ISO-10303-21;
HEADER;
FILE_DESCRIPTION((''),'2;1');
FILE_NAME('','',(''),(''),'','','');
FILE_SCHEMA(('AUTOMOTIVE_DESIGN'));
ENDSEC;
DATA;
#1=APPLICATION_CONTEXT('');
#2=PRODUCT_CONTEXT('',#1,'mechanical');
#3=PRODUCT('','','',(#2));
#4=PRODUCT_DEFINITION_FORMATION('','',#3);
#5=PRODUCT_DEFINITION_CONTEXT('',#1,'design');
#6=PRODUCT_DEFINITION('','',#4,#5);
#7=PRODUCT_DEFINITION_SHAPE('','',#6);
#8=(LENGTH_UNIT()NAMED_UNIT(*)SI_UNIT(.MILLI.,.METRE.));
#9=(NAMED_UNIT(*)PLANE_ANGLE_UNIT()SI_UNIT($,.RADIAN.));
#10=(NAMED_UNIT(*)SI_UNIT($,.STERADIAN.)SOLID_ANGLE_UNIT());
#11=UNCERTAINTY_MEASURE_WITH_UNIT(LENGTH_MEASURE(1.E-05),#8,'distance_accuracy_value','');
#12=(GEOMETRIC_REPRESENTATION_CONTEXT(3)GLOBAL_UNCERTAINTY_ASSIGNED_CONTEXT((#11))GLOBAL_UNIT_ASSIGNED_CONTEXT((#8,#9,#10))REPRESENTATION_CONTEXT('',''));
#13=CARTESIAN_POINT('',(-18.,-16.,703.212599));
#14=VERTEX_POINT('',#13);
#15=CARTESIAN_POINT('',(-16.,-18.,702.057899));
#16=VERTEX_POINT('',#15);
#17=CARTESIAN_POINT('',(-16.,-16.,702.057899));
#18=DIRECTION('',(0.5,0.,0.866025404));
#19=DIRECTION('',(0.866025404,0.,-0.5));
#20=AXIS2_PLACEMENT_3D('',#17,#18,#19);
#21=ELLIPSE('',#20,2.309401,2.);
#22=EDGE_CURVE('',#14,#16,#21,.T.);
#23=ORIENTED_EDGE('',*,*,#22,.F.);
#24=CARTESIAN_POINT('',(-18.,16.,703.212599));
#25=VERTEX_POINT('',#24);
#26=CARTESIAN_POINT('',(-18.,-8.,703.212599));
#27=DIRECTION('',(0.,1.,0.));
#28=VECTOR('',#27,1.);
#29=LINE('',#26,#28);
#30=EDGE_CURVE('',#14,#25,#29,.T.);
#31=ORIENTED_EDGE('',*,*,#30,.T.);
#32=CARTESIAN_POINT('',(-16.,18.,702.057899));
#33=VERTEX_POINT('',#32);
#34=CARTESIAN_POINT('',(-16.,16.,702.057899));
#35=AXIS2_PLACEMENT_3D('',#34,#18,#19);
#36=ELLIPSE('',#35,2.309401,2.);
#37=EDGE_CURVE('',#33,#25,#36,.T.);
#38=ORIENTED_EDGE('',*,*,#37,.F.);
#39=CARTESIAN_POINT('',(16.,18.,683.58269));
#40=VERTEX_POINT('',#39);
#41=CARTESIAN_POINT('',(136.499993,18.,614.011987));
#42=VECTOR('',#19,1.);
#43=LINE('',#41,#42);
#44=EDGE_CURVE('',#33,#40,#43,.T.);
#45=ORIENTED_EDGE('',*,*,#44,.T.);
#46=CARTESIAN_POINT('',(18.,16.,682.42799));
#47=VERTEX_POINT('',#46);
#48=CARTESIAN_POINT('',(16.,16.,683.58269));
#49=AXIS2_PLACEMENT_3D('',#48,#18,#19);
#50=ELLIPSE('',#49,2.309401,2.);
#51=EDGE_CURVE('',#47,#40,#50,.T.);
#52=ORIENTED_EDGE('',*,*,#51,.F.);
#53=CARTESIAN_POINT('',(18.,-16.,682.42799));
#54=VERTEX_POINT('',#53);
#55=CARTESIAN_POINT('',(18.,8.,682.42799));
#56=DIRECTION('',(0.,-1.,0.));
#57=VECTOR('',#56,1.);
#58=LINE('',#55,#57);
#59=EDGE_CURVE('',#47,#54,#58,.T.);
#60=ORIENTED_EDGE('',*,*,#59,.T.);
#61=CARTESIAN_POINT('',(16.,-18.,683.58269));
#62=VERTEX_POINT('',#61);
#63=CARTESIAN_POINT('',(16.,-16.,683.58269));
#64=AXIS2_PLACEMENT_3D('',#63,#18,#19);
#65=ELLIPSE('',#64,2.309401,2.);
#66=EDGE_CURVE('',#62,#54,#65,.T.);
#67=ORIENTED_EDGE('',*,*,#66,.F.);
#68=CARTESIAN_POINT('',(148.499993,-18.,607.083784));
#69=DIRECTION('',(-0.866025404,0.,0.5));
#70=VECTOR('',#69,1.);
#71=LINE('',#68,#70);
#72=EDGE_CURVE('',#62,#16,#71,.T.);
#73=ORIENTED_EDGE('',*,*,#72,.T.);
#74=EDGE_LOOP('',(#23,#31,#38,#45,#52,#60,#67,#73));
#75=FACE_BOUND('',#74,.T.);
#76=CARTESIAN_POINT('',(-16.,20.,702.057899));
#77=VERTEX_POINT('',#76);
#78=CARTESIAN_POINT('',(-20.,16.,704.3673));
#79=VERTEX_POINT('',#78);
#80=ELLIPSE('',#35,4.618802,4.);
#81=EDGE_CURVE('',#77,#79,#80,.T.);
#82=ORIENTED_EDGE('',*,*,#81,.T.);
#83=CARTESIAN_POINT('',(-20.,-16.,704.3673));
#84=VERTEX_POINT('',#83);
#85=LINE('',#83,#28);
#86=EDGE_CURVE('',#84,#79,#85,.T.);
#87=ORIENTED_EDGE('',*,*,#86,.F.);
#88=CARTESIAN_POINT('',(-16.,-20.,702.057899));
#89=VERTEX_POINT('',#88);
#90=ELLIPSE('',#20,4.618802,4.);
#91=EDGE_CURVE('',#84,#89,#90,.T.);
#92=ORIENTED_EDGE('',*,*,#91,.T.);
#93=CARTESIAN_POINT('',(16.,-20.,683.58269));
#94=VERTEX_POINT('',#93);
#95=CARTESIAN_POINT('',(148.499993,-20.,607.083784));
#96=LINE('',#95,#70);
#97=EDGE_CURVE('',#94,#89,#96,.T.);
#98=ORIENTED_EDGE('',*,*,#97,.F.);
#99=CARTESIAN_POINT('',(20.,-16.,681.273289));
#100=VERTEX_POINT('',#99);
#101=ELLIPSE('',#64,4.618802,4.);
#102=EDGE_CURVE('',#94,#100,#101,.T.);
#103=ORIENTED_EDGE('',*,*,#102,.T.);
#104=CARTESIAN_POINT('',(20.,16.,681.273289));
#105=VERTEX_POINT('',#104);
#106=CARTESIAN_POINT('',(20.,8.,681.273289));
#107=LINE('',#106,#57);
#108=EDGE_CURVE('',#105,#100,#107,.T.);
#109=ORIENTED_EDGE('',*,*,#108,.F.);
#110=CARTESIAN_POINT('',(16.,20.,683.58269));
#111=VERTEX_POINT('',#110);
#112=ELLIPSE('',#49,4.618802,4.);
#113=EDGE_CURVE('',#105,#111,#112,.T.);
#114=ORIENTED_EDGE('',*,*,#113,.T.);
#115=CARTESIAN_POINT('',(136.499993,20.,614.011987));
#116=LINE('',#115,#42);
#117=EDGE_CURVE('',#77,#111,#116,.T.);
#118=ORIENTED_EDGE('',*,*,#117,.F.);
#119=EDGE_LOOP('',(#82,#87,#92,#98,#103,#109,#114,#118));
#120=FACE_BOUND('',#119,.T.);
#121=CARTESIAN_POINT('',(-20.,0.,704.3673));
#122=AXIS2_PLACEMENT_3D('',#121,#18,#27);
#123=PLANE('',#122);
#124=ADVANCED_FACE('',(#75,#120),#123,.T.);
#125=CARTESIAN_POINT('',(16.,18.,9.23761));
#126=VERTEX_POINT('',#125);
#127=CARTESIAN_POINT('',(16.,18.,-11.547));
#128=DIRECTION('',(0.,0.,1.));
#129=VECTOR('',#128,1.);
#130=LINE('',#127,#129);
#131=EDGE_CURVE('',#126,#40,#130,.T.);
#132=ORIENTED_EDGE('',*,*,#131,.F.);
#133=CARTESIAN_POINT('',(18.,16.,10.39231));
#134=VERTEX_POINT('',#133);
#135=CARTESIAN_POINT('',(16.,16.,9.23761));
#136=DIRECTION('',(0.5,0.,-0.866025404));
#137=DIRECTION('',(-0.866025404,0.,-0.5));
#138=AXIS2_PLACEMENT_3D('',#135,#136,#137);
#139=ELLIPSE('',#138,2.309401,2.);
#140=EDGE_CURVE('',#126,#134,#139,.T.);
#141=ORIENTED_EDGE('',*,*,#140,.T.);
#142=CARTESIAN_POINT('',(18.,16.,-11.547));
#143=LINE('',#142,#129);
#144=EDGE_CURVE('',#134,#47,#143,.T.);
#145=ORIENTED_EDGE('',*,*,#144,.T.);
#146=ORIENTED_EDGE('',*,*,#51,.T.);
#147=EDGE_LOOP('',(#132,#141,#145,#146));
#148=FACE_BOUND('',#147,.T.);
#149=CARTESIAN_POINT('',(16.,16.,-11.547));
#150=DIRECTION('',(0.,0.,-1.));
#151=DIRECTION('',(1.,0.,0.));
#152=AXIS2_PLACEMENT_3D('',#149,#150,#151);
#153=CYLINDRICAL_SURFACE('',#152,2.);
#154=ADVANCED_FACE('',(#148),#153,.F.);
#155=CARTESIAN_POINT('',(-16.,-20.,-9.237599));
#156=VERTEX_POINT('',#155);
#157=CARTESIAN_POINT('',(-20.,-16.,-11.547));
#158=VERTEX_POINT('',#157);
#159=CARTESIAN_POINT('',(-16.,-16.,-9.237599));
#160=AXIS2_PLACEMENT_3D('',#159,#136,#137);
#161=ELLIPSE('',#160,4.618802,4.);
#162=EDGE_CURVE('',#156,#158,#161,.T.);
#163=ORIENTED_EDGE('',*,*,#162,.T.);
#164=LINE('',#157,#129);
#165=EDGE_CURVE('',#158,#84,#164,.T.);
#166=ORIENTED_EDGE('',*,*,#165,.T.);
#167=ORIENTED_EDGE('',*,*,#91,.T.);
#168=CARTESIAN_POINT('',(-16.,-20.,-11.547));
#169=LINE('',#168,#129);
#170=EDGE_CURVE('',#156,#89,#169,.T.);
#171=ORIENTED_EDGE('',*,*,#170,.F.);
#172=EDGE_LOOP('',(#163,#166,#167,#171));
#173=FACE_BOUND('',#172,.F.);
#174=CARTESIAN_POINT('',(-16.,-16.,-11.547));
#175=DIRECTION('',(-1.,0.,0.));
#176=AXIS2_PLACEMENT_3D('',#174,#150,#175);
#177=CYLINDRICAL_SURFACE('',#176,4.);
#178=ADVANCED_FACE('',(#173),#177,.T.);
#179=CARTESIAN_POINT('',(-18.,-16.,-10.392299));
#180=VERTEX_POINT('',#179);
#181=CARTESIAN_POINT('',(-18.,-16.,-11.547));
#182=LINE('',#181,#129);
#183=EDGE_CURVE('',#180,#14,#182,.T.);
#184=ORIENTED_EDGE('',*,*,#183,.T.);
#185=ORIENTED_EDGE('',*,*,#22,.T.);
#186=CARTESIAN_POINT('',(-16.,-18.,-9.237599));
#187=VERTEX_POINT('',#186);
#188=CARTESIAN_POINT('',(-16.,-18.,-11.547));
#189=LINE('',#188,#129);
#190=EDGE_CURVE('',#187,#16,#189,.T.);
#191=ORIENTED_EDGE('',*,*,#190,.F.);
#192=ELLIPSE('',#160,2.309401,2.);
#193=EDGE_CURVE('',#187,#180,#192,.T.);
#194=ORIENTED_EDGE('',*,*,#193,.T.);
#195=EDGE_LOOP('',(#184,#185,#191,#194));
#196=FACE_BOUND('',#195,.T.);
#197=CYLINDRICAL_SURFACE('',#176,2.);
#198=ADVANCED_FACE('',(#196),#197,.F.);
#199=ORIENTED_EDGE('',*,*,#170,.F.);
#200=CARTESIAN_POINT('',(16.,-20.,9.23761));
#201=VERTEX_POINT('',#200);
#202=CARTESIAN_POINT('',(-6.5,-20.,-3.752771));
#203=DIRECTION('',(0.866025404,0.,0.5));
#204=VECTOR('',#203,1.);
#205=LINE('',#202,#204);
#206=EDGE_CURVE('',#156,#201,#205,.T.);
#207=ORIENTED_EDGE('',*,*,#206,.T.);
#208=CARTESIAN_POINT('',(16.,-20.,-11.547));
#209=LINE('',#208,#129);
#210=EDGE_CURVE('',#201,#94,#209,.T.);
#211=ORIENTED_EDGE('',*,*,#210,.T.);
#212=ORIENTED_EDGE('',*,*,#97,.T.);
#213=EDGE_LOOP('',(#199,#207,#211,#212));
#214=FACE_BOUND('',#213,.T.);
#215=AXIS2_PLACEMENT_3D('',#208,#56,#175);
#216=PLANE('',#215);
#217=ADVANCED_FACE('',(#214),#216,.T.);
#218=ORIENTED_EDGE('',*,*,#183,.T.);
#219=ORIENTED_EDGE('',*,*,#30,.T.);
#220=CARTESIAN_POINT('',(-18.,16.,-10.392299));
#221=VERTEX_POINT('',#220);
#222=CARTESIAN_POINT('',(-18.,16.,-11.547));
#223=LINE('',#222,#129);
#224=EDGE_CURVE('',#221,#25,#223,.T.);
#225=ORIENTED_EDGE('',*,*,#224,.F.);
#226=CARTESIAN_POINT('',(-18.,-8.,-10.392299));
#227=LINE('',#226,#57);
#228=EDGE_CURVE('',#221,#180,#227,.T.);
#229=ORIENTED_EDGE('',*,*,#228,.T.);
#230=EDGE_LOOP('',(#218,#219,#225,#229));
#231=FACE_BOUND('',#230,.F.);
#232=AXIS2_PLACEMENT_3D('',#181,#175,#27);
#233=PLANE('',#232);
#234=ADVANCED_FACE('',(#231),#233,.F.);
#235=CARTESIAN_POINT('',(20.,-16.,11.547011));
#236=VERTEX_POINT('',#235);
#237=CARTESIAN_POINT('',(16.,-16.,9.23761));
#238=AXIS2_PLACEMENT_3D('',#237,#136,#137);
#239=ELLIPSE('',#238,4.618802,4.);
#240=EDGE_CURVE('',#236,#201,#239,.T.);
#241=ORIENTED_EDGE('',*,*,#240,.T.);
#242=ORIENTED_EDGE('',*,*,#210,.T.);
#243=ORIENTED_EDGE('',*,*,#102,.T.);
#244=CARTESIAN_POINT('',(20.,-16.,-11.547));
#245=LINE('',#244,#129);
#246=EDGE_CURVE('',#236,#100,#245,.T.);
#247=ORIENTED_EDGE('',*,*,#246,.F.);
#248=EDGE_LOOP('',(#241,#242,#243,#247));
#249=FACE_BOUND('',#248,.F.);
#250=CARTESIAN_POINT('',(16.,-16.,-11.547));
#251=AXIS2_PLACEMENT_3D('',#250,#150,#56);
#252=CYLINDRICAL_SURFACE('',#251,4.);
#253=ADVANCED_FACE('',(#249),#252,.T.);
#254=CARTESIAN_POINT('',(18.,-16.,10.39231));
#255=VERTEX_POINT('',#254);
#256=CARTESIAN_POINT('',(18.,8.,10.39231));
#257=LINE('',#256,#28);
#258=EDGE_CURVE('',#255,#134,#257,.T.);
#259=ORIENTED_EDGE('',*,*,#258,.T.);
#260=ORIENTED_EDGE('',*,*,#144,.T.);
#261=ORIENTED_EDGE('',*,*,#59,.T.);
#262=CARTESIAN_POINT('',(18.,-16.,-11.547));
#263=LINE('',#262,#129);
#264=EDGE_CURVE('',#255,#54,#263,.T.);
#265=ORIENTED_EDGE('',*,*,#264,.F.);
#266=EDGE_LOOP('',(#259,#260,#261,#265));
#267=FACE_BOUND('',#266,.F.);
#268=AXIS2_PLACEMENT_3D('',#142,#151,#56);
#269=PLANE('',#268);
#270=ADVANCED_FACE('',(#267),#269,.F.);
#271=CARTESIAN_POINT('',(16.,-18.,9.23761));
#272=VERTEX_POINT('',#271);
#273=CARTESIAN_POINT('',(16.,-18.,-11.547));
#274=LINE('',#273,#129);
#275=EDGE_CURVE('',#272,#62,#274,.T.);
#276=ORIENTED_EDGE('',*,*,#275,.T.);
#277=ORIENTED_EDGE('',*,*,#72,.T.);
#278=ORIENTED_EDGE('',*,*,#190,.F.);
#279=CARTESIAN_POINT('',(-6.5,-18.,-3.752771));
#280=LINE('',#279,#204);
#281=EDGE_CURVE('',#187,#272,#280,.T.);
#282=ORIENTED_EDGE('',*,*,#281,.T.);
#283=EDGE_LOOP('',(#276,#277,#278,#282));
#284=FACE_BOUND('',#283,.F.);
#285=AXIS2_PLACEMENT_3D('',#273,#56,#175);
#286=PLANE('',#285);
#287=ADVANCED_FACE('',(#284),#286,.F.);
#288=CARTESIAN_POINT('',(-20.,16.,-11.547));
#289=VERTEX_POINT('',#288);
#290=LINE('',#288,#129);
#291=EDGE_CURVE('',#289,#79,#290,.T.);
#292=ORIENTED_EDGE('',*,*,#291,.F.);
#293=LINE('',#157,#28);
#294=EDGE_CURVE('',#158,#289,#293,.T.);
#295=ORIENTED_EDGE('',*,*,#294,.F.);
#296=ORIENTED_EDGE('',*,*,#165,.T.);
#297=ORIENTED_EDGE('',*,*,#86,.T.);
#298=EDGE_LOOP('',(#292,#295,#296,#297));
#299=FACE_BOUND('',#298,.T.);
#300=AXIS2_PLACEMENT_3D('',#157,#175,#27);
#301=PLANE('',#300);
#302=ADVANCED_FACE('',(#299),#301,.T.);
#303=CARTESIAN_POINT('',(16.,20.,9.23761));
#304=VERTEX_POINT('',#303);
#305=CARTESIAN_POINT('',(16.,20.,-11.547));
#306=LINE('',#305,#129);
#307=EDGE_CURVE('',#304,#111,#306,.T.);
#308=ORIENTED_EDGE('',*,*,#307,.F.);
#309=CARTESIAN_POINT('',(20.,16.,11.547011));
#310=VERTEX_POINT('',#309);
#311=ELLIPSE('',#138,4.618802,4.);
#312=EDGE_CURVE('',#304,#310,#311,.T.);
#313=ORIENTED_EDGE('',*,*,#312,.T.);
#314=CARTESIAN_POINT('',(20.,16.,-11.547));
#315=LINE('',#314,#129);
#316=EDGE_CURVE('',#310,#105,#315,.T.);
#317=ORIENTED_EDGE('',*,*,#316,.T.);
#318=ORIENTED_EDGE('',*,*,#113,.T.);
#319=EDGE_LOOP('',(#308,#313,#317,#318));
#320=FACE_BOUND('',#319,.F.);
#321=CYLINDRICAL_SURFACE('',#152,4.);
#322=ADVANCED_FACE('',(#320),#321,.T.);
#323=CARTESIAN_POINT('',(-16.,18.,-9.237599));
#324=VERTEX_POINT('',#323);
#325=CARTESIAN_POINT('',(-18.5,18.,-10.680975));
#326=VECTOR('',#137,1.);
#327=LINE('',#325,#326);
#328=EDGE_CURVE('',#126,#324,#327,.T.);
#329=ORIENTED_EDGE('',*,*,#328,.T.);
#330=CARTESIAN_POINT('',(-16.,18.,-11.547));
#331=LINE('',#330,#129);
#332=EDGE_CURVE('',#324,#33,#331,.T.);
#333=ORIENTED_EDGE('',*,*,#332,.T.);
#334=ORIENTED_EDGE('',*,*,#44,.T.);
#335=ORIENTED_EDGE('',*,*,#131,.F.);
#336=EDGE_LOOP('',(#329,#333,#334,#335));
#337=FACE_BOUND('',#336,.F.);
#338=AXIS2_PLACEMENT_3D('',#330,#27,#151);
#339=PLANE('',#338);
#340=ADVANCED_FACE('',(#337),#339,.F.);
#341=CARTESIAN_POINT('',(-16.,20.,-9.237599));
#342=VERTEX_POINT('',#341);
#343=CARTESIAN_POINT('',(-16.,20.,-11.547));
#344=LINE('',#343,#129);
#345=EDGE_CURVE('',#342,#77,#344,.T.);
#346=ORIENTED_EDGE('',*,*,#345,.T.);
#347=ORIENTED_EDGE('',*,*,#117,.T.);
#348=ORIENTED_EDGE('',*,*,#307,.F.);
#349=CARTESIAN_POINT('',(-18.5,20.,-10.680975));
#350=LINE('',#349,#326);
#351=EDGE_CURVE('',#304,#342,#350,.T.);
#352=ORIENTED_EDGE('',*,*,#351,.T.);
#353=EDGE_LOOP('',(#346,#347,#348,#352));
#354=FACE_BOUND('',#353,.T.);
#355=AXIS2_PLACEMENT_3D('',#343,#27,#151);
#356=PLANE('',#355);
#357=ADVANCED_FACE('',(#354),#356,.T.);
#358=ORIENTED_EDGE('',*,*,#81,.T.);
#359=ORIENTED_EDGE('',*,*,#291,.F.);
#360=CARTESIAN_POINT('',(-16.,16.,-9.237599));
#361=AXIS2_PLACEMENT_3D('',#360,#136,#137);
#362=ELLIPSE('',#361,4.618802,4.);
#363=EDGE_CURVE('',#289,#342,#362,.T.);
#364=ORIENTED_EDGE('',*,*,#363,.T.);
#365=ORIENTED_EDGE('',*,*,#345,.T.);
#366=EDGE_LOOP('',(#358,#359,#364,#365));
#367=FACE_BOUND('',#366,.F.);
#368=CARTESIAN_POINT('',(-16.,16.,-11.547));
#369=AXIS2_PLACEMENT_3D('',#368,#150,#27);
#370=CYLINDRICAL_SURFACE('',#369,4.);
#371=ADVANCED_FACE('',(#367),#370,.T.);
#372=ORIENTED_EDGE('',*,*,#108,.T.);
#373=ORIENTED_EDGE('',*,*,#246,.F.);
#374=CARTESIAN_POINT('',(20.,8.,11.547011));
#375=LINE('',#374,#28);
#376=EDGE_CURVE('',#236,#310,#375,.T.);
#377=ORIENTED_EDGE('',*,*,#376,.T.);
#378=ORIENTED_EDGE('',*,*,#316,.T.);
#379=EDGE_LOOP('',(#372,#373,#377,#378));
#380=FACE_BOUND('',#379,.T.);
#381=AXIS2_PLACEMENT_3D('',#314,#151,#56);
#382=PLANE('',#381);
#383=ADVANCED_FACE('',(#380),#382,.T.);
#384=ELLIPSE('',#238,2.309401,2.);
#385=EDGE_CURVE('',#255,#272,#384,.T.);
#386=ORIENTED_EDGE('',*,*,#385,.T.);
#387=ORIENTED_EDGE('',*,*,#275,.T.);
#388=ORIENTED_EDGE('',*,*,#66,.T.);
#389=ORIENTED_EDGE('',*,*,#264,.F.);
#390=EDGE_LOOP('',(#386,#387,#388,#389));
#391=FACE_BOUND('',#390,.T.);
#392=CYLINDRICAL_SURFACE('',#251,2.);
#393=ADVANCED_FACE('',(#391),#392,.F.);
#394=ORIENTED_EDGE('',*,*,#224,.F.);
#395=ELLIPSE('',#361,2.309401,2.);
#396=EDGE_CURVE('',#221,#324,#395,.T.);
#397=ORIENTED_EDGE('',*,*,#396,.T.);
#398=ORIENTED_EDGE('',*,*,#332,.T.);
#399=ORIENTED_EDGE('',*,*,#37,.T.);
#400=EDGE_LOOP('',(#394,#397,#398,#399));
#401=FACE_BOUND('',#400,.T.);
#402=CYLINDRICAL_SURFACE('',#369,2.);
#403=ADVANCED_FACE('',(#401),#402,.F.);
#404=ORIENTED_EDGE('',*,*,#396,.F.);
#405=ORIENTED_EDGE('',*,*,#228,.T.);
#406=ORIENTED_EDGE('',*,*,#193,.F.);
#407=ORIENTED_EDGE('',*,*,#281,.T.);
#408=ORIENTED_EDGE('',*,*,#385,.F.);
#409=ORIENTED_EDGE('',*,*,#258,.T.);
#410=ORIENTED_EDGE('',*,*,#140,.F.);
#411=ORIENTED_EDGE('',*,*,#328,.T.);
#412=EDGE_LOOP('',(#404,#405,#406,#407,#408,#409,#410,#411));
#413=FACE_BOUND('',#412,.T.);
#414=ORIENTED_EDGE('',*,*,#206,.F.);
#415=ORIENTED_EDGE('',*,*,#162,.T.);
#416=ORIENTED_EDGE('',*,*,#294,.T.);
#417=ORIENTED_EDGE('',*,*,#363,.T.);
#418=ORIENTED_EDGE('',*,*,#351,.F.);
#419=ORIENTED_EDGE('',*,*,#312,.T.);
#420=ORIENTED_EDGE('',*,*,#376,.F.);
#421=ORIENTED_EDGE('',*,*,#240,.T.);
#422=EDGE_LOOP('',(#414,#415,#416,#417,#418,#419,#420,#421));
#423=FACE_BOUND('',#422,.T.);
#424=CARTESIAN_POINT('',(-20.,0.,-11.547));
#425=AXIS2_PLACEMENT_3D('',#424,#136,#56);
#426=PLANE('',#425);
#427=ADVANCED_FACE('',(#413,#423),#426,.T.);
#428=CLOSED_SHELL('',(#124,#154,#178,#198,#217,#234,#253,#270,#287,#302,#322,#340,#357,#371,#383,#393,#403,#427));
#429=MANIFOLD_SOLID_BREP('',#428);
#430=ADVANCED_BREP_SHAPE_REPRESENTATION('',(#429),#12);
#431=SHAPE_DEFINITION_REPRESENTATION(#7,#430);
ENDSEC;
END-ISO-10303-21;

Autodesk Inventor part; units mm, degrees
ref_plane "Start Plane" through (0, 0, -11.547) normal (0, 0, 1) x (1, 0, 0)
ref_plane "End Plane" through (0, 0, 704.3673) normal (0, 0, 1) x (1, 0, 0)
sketch "Sketch" plane through (0, 0, 0) normal (0, 0, 1) x (1, 0, 0)
  line L0 (-20, -16) -> (-20, 16)
  line L1 (-16, 20) -> (16, 20)
  line L2 (20, 16) -> (20, -16)
  line L3 (16, -20) -> (-16, -20)
  arc A0 (-20, -16) -> (-16, -20) centre (-16, -16) ccw
  arc A1 (20, 16) -> (16, 20) centre (16, 16) ccw
  arc A2 (-16, 20) -> (-20, 16) centre (-16, 16) ccw
  arc A3 (16, -20) -> (20, -16) centre (16, -16) ccw
  arc A4 (-16, 18) -> (-18, 16) centre (-16, 16) ccw
  line L4 (-16, 18) -> (16, 18)
  arc A5 (18, 16) -> (16, 18) centre (16, 16) ccw
  line L5 (18, 16) -> (18, -16)
  arc A6 (16, -18) -> (18, -16) centre (16, -16) ccw
  line L6 (16, -18) -> (-16, -18)
  arc A7 (-18, -16) -> (-16, -18) centre (-16, -16) ccw
  line L7 (-18, -16) -> (-18, 16)
  line L8 (0, 29.1598) -> (0, -29.1598) construction
  line L9 (-29.1598, 0) -> (29.1598, 0) construction
  dimension "d7" = 4
  dimension "d9" = 40
  dimension "d11" = 40
  dimension "d12" = 2
  dimension "d15" = 20
  dimension "d16" = 20
extrude "Body" add sketch "Sketch" along normal up to surface (715.9143 mm away) from surface at -11.547
sketch "Sketch3" plane through (0, 0, 0) normal (0, 0, 1) x (1, 0, 0)
  line L0 (0, 0) -> (10, 0)
ref_plane "Work Plane3" through (0, 0, 0) normal (0, -1, 0) x (1, 0, 0)
sketch "Sketch4" plane through (0, 0, 0) normal (0, -1, 0) x (1, 0, 0)
  line L0 (-2, -11.547) -> (12, -11.547)
  line L1 (-2, 704.3673) -> (12, 704.3673)
  dimension "d18" = 715.9143
ref_plane "Work Plane4" through (-20, 0, -11.547) normal (0.5, 0, -0.866) x (-0.866, 0, -0.5)
split "Split1" plane through (-20, 0, -11.547) removes the side toward (0.5, 0, -0.866)
ref_plane "Work Plane5" through (-20, 0, 704.3673) normal (0.5, 0, 0.866) x (0.866, 0, -0.5)
split "Split2" plane through (-20, 0, 704.3673) removes the side toward (0.5, 0, 0.866)
equation "\"d7\" = G_IR"
equation "\"d9\" = G_W"
equation "\"d11\" = G_H"
equation "\"d12\" = G_T"
equation "\"d15\" = 0.5 * d9"
equation "\"d16\" = 0.5 * d11"
equation "\"d3\" = G_L"
equation "\"G_W\" = 40"
equation "\"G_H\" = 40"
equation "\"G_T\" = 2"
equation "\"G_IR\" = 4"
equation "\"G_L\" = d18"
equation "\"G_OFFSET_START\" = 11.54701"
equation "\"G_OFFSET_END\" = 11.54701"
equation "\"d13\" = -G_OFFSET_START"
equation "\"d14\" = G_OFFSET_END + B_L"
equation "\"B_L\" = 692.82032"
properties part number "ISO 10799-2 - 40x40x2 - 715,91" material "Steel, Mild"
